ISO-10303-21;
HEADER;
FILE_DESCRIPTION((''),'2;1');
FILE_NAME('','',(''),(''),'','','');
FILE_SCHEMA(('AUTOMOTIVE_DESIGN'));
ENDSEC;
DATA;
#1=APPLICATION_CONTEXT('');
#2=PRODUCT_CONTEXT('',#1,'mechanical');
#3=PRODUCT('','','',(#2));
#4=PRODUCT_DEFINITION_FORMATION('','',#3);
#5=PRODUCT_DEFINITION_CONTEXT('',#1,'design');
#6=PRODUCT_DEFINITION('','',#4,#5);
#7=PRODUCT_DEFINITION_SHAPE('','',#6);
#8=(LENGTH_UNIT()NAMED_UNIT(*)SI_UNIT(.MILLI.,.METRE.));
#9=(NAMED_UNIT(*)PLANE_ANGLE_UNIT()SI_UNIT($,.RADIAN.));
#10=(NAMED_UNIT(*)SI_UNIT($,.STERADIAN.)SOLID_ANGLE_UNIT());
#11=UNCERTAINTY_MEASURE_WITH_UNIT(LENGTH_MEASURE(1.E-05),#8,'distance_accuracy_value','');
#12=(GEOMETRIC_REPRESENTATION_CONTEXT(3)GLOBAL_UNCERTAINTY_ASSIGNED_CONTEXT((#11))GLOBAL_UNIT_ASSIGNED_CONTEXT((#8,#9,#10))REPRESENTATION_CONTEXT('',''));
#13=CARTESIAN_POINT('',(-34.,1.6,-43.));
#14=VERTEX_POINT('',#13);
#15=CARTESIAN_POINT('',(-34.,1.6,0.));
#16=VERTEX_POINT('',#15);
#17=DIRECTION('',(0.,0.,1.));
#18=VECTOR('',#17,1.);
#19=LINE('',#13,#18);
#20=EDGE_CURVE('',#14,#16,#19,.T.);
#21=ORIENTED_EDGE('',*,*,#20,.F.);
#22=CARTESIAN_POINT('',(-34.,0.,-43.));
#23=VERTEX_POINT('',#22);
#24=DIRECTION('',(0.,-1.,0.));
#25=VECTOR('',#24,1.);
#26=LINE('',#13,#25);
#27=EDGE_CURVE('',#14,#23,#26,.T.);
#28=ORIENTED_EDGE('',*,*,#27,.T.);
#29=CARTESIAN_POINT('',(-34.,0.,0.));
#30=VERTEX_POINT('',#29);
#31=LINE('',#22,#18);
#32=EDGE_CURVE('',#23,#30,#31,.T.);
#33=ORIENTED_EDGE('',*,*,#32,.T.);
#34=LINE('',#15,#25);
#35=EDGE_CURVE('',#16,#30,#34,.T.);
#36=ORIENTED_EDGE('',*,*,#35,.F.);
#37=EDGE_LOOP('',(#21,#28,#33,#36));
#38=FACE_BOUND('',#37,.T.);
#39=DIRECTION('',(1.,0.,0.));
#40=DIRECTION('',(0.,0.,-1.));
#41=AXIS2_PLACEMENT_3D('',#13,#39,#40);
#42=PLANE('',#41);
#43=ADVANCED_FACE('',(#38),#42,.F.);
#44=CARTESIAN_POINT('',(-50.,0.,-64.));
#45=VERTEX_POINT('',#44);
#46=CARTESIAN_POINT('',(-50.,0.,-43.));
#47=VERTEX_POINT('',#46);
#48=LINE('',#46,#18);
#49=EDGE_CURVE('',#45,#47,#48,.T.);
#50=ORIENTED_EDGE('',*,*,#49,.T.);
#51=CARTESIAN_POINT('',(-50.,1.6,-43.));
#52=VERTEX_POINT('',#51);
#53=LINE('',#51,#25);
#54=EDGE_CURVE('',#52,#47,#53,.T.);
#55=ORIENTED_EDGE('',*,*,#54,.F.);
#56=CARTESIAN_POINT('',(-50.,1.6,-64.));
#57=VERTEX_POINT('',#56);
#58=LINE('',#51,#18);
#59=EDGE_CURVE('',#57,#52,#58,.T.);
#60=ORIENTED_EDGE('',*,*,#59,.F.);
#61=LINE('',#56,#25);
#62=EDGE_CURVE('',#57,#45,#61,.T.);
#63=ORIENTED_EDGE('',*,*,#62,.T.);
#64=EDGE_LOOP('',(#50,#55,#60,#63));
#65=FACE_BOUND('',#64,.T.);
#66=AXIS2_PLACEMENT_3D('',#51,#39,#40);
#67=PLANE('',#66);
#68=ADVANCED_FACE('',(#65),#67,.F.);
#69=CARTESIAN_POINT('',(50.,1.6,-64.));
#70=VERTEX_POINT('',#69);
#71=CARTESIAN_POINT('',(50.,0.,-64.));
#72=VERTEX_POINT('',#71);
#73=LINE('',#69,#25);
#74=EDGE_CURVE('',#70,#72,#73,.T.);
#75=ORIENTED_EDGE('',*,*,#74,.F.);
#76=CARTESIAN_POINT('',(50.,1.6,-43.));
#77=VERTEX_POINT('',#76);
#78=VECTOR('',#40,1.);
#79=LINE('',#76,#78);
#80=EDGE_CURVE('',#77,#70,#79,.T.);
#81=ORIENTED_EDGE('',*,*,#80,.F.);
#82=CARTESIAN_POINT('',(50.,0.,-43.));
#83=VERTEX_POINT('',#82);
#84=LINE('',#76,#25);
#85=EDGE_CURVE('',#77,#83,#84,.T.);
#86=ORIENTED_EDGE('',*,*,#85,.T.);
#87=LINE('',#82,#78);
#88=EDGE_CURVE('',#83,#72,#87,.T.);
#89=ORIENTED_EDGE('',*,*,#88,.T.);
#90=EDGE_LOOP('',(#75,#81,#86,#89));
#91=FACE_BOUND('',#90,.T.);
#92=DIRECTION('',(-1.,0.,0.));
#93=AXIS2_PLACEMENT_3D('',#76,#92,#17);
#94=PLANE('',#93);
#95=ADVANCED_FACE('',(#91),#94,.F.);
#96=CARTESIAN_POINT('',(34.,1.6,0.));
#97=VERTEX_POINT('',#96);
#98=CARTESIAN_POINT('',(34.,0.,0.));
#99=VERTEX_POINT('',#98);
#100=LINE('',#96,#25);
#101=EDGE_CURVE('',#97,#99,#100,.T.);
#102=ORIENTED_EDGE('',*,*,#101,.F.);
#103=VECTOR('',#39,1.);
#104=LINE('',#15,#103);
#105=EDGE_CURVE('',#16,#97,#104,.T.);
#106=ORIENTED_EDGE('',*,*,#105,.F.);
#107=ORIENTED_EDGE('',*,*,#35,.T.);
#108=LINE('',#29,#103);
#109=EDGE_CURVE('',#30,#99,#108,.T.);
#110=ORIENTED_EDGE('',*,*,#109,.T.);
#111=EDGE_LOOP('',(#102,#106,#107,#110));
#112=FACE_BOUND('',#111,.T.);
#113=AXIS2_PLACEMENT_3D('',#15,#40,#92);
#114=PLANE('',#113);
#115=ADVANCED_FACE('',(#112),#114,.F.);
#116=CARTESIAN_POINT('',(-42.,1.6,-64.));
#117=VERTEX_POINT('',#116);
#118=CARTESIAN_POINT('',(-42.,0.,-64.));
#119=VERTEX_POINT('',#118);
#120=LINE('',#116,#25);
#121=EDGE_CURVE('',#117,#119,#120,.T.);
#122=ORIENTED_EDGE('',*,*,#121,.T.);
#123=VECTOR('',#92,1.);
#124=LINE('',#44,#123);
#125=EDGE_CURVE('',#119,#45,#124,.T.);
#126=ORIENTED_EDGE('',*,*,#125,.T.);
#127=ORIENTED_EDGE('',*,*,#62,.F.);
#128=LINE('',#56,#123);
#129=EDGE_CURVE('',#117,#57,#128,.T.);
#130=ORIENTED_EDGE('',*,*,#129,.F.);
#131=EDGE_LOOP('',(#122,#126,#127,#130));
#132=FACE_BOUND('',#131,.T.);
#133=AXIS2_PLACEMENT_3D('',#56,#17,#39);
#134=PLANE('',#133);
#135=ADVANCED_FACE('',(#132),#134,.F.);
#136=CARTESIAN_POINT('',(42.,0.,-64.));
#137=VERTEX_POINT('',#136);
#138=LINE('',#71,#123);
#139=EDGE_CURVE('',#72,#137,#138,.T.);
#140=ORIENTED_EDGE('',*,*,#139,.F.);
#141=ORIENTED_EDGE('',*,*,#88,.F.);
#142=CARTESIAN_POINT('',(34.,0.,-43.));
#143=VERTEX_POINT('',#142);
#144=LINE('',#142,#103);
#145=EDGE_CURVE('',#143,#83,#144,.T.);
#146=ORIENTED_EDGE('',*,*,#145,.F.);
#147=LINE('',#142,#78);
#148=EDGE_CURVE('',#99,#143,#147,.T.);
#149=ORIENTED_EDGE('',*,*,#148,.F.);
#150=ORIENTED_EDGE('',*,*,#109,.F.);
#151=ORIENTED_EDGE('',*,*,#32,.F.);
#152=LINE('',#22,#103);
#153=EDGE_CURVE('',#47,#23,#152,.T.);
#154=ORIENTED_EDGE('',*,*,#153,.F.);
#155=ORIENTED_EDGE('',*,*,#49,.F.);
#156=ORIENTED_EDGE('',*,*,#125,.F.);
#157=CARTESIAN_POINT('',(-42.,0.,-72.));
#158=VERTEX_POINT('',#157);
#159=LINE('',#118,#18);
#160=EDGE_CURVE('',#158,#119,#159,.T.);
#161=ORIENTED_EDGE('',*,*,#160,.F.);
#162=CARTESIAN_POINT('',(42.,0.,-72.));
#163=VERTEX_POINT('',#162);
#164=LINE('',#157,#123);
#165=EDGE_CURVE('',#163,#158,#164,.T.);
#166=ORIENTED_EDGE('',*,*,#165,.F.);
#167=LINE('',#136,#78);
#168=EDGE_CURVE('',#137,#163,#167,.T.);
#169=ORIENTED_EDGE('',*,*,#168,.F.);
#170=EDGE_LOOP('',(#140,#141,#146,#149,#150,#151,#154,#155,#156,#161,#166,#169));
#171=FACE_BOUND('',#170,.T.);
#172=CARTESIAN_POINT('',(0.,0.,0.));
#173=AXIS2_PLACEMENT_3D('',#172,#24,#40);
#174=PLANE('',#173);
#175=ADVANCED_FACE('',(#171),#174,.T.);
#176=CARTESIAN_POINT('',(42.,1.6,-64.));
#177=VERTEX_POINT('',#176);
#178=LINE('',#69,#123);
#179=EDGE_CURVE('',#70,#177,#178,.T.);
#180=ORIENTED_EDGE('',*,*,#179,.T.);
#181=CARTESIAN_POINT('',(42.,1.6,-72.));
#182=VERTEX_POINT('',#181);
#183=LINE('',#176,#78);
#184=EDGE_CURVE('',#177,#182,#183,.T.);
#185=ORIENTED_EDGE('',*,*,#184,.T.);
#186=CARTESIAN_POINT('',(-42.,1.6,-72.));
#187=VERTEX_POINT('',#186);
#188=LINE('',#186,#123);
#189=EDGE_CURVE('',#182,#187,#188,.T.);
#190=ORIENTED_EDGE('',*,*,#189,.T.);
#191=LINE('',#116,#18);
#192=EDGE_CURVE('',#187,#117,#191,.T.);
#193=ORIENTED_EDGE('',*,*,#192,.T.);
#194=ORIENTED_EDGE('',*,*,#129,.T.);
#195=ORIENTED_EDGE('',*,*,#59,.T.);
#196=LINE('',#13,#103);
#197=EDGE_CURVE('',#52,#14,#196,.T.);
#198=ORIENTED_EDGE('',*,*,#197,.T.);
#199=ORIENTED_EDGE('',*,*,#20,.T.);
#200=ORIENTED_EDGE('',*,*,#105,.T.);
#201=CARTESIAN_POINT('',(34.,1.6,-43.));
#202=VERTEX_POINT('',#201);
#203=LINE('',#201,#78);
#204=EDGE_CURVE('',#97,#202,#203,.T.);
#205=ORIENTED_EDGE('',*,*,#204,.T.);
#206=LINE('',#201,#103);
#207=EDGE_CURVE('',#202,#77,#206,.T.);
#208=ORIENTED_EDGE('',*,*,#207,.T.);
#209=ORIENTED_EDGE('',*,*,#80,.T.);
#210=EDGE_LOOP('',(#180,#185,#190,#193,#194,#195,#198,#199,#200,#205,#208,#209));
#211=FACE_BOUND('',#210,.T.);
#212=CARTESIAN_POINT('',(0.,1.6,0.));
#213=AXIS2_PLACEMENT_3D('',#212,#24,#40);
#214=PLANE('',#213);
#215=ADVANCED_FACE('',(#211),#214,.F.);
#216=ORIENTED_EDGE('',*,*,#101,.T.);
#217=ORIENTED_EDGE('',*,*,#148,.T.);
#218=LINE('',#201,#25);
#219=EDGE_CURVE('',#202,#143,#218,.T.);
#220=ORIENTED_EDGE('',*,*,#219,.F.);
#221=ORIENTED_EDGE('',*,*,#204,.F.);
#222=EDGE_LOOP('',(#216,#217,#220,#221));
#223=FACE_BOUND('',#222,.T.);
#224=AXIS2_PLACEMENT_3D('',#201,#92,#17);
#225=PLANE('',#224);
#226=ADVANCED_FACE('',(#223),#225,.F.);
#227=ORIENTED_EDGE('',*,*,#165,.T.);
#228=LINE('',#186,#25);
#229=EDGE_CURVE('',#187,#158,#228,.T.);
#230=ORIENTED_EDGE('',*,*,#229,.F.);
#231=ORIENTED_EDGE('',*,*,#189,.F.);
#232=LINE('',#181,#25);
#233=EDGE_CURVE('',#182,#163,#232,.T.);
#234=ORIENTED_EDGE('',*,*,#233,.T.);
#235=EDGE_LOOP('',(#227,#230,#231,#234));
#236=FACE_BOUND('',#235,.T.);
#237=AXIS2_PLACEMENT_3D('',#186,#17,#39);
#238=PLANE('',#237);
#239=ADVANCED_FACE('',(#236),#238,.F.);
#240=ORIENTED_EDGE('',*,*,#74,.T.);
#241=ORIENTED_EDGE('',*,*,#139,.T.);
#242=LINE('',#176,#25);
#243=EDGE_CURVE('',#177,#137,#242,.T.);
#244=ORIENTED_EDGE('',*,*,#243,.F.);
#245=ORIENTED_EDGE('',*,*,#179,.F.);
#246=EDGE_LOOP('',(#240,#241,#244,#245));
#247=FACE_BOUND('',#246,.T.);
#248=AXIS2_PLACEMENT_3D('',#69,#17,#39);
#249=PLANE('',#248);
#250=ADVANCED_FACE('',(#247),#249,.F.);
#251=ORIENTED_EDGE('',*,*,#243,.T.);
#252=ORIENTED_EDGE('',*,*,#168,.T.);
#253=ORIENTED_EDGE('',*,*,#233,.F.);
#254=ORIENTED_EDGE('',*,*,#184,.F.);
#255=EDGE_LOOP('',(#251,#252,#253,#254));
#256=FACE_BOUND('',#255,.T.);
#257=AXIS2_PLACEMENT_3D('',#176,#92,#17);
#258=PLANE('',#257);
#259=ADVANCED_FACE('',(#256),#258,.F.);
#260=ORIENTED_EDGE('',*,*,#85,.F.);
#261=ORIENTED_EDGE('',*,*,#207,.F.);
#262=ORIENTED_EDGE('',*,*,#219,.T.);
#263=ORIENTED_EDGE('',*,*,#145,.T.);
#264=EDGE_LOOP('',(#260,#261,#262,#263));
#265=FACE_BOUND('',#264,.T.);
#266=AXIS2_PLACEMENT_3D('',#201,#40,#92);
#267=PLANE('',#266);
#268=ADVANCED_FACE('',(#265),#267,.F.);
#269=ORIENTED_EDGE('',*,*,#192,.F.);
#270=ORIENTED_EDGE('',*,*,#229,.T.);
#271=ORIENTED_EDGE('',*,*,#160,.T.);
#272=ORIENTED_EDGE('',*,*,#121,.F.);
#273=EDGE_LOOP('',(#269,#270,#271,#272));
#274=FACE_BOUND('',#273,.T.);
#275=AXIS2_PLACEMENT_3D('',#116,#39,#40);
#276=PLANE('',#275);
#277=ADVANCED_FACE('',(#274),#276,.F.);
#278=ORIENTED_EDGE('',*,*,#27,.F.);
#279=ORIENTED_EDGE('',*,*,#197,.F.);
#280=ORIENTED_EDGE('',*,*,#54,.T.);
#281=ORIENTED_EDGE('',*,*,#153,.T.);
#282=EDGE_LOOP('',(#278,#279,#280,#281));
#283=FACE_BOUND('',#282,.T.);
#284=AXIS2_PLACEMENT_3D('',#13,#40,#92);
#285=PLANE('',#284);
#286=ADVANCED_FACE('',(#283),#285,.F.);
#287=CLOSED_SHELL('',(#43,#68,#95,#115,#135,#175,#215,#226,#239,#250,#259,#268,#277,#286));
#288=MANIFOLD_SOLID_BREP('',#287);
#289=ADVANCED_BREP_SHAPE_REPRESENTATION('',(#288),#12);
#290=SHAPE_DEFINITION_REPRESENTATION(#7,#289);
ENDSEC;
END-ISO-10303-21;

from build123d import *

# Parameters (mm, degrees)
BOSS_EXTRUDE1_DEPTH = 1.6


with BuildPart() as part:
    # Sketch1 → Boss-Extrude1 (new body)
    with BuildSketch(Plane(origin=(0, 0, 0), x_dir=(1, 0, 0), z_dir=(0, 1, 0))):
        Polygon((-34, 43), (-34, 0), (34, 0), (34, 43), (50, 43), (50, 64), (42, 64), (42, 72), (-42, 72), (-42, 64), (-50, 64), (-50, 43), align=None)
    extrude(amount=BOSS_EXTRUDE1_DEPTH)


solid = part.part
